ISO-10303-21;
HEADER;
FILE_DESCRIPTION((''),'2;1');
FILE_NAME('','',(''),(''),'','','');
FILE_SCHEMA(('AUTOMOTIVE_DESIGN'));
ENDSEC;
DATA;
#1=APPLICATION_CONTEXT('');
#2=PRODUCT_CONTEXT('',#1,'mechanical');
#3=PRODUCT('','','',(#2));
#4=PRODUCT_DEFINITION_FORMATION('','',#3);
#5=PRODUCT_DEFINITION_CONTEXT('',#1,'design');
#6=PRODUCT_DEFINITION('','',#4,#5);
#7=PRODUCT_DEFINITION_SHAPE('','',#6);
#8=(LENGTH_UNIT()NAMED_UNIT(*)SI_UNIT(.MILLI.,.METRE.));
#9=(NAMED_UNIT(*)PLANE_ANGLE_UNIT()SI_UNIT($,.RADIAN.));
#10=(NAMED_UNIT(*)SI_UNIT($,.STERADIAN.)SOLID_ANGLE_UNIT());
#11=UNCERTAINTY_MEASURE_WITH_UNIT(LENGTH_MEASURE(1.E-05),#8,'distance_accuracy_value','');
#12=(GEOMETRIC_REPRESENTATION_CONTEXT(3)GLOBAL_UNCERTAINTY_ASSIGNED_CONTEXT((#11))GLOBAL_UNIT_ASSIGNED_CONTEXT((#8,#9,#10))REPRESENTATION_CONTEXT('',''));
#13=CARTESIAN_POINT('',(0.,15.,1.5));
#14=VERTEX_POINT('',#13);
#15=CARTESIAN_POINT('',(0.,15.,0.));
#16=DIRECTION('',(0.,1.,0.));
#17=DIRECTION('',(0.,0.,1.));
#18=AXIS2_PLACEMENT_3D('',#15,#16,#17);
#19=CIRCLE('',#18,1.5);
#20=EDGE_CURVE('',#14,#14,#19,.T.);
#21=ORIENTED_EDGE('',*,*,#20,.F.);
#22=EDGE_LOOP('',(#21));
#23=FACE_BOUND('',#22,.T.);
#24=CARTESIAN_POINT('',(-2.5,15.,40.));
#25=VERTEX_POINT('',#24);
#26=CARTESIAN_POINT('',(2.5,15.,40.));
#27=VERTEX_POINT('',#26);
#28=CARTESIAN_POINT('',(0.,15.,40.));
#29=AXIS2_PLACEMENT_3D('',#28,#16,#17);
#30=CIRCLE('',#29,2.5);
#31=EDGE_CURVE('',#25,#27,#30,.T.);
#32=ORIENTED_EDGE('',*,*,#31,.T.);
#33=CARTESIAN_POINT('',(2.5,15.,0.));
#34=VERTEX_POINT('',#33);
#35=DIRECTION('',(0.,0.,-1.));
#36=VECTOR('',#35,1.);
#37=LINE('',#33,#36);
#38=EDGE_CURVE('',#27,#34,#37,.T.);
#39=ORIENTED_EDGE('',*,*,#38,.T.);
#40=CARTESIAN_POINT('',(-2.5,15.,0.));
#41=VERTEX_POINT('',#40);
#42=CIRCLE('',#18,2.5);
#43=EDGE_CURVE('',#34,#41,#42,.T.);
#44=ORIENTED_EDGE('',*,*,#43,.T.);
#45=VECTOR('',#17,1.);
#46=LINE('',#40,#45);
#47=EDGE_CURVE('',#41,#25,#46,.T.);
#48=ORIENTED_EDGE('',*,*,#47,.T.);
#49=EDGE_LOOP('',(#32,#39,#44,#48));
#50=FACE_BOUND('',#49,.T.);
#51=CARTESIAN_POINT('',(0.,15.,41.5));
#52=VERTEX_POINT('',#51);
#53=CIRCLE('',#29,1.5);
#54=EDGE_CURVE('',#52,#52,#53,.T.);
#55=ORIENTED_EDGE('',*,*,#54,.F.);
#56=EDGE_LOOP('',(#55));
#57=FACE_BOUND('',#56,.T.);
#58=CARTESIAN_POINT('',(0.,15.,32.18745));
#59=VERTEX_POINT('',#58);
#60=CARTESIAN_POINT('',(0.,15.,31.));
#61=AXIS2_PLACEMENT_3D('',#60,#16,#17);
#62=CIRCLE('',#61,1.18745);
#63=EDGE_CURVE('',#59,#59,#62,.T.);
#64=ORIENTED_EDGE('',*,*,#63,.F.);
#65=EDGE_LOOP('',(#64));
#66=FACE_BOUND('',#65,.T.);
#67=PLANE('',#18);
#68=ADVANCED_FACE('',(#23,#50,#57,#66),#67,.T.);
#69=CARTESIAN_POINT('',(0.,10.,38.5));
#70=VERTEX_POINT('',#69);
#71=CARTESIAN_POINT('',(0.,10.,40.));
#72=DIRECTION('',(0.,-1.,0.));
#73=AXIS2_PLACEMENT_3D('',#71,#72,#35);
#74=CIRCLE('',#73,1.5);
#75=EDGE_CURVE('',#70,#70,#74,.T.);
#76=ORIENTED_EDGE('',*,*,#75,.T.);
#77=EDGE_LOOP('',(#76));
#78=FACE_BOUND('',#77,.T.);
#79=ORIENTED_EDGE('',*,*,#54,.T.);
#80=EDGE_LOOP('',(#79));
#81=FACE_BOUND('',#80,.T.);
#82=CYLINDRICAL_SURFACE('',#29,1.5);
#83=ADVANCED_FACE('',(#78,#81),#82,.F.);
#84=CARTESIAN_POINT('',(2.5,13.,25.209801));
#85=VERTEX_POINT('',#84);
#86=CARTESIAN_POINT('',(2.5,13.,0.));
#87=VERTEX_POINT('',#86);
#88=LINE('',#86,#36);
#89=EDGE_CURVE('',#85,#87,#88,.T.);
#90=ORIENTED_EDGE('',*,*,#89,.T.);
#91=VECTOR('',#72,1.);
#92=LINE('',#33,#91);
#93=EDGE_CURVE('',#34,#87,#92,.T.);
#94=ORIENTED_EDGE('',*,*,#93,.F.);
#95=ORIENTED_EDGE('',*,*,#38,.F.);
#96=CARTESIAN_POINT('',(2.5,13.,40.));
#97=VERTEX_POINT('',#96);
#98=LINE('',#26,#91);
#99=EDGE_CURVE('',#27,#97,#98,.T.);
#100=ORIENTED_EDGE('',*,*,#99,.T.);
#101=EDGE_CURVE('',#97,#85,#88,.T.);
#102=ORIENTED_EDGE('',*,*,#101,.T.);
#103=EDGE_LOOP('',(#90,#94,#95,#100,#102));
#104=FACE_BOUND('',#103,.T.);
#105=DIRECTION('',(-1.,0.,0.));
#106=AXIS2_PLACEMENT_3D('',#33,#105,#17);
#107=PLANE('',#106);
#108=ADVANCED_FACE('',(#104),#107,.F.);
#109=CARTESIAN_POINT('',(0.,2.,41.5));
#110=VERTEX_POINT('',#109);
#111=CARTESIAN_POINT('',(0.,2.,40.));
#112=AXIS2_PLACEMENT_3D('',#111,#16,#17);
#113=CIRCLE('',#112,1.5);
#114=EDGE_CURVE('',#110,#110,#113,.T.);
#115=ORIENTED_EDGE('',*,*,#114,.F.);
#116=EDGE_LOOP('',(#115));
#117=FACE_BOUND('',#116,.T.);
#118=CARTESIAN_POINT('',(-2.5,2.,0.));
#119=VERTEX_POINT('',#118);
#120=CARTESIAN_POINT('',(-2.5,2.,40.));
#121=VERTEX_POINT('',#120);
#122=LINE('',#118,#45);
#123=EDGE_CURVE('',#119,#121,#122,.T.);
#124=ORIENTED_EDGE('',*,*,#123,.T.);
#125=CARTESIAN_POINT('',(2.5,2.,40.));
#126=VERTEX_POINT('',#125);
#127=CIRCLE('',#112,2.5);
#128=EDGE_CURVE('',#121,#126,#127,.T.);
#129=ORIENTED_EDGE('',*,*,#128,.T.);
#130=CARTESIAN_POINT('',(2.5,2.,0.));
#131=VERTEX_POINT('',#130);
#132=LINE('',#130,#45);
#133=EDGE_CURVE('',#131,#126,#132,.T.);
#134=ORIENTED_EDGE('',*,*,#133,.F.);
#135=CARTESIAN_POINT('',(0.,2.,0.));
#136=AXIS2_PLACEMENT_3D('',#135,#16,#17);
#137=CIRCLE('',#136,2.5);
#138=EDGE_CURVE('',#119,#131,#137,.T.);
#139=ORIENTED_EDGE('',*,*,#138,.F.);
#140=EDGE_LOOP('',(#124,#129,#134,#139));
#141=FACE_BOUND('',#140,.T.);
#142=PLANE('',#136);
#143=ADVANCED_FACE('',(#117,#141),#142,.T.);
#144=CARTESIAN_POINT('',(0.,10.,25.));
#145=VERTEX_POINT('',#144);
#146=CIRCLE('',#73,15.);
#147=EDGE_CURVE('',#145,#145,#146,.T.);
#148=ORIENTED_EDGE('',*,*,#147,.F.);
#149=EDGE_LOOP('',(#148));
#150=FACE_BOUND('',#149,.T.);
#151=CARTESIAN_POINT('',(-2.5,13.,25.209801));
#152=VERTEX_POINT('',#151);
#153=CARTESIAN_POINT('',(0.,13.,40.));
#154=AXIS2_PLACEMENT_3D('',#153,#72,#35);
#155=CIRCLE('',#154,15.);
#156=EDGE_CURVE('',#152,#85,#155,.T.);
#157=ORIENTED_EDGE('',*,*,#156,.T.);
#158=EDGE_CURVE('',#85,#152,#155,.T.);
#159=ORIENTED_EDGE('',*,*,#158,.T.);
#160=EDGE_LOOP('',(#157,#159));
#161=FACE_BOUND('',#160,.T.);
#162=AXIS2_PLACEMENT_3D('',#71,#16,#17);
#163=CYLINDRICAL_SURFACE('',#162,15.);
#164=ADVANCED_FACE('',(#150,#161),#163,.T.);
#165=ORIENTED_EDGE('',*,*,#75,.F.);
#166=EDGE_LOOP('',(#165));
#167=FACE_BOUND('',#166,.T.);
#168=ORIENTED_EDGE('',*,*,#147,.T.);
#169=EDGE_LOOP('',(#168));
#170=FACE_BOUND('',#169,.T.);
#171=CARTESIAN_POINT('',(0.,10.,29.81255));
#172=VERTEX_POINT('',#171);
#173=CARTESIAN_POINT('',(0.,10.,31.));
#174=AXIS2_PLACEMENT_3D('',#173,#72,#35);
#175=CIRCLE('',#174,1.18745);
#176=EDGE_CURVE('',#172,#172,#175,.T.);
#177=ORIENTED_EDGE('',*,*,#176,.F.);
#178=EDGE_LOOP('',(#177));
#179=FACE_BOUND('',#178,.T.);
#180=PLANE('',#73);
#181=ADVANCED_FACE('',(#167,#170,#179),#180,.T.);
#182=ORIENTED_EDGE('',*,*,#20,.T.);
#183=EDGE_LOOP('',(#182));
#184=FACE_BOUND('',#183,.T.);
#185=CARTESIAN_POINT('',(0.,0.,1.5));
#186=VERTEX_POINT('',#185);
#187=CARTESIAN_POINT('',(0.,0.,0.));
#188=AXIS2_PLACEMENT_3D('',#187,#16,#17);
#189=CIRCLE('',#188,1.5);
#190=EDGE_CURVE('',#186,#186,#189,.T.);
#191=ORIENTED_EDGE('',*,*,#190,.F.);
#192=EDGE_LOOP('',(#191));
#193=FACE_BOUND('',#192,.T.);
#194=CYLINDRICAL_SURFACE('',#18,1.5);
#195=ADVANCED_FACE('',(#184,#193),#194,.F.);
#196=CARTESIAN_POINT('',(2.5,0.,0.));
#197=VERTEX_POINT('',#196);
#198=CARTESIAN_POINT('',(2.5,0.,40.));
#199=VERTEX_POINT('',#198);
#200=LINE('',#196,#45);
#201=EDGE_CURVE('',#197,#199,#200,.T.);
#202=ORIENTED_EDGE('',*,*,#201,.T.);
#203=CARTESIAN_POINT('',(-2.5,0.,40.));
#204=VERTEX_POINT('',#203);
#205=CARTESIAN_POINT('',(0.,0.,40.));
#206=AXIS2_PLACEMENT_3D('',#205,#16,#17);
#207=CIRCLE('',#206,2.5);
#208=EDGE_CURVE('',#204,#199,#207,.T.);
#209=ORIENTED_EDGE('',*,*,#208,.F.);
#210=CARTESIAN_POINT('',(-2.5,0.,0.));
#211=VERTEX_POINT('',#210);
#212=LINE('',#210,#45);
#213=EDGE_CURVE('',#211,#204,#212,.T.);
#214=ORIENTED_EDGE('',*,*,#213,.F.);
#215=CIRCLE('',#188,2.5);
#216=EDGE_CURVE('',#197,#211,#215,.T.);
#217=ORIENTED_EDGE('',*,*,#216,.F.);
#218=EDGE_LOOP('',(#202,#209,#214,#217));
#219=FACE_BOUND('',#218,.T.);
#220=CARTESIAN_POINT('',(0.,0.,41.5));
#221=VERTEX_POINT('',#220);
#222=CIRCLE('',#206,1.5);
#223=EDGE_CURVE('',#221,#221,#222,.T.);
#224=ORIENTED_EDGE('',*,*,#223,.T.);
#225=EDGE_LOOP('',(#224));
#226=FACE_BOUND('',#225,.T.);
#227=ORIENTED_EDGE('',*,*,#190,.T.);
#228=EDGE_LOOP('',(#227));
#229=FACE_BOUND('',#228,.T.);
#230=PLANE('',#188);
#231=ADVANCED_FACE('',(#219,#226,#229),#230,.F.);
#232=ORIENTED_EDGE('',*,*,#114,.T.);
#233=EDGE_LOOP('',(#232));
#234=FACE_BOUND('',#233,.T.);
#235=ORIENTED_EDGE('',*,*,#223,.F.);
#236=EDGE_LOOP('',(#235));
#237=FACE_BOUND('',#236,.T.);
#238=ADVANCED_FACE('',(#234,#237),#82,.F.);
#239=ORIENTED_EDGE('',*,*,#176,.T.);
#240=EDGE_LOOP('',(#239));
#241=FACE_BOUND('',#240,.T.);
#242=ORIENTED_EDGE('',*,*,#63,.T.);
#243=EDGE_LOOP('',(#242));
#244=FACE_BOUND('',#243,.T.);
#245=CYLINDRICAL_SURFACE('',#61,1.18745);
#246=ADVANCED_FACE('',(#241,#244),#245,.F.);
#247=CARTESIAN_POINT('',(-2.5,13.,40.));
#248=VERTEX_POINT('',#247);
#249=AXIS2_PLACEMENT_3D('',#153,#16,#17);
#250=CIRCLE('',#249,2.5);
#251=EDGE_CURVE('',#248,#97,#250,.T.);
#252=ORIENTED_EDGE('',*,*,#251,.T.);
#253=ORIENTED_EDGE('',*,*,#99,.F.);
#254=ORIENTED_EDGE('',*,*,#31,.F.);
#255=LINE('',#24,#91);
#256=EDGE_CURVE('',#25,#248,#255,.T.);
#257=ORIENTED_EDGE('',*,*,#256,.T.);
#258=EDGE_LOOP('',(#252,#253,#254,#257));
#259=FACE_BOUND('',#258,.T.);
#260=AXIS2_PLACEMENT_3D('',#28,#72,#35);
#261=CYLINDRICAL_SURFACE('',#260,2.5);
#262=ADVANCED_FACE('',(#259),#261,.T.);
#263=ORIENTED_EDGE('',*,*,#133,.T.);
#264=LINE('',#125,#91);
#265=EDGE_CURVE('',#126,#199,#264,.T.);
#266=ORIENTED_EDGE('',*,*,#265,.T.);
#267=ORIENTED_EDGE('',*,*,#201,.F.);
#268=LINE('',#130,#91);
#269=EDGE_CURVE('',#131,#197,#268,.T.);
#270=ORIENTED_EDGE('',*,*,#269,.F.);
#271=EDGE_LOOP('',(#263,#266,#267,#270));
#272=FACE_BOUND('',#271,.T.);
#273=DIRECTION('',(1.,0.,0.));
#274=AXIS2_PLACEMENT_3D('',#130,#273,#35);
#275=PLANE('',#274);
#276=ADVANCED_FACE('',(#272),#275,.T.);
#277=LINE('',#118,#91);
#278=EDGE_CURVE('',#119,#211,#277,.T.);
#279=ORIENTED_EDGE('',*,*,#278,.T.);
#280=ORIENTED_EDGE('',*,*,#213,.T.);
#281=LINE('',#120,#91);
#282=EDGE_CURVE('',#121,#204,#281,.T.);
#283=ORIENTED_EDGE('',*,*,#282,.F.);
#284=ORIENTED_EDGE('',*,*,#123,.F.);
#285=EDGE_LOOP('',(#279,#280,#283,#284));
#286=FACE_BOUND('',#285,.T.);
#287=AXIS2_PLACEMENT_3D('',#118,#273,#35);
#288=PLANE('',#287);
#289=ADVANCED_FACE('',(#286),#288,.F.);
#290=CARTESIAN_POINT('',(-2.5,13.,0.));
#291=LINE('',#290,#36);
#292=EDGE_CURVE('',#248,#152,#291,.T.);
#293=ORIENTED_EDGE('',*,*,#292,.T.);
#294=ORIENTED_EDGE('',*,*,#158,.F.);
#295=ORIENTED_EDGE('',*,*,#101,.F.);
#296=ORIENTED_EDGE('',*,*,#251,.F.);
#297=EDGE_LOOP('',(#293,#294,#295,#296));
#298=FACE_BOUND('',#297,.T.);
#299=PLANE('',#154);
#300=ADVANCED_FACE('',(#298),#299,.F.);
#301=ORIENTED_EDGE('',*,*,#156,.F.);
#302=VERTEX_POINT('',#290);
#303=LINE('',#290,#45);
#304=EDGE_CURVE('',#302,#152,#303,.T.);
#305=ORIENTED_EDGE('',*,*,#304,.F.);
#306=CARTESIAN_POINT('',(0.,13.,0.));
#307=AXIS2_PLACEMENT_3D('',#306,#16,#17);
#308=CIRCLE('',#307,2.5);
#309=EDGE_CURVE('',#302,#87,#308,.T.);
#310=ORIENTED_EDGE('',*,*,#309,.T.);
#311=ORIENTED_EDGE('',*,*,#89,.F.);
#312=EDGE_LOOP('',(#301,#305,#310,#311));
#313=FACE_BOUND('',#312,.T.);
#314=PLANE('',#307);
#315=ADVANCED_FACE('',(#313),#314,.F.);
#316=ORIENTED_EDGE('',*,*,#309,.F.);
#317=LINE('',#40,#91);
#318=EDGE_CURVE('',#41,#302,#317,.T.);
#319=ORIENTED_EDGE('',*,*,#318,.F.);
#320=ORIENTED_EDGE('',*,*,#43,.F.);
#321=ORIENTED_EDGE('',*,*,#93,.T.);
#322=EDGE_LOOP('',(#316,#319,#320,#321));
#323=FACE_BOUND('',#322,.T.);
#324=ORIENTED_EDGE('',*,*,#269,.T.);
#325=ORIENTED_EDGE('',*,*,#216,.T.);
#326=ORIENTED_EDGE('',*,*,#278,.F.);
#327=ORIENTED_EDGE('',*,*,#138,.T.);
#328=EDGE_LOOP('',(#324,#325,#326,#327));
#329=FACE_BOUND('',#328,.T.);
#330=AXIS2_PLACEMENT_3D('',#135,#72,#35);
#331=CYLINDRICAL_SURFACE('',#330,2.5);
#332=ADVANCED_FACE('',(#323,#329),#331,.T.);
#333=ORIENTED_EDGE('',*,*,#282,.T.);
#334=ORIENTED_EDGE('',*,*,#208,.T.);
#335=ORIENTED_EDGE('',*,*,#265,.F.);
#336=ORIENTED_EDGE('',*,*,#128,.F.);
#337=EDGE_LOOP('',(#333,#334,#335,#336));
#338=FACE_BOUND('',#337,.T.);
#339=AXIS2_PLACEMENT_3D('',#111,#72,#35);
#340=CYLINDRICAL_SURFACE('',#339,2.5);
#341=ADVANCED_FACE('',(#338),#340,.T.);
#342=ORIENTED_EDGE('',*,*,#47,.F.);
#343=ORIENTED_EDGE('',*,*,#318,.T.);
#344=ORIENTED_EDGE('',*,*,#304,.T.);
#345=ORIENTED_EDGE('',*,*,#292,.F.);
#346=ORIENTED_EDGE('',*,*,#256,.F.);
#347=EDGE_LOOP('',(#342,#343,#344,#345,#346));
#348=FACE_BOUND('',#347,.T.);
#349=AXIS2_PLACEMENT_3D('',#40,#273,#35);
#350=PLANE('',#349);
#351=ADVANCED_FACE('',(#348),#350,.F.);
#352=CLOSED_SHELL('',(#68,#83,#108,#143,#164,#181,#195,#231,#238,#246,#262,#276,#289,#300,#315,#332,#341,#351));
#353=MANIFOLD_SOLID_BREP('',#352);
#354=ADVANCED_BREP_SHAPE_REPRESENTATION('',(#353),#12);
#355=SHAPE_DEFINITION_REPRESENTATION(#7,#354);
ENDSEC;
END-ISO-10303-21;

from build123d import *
from build123d.topology import SkipClean

# Parameters (mm, degrees)
BOSS_EXTRUDE1_DEPTH             = 2
SKETCH2_R                       = 2.5
BOSS_EXTRUDE2_DEPTH             = 11
BOSS_EXTRUDE3_START             = 13
BOSS_EXTRUDE3_DEPTH             = 2
SKETCH7_R                       = 15
BOSS_EXTRUDE5_DEPTH             = 3
F_3_0MM_CLEARANCE_DOWEL_HOLE1_D = 3
F_4_48_TAPPED_HOLE1_D           = 2.3749
F_4_48_TAPPED_HOLE1_DEPTH       = 7.27
F_4_48_TAPPED_HOLE1_TIP         = 0.713491942


with BuildPart() as part:
    # Sketch1 → Boss-Extrude1 (new body)
    with BuildSketch(Plane(origin=(0, 0, 0), x_dir=(1, 0, 0), z_dir=(0, 1, 0))):
        with BuildLine():
            Line((2.5, 0), (2.5, -40))
            ThreePointArc((2.5, -40), (0, -42.5), (-2.5, -40))
            Line((-2.5, -40), (-2.5, 0))
            ThreePointArc((-2.5, 0), (0, 2.5), (2.5, 0))
        make_face()
    extrude(amount=BOSS_EXTRUDE1_DEPTH)

    # Sketch2 → Boss-Extrude2 (add)
    with SkipClean():  # the faces are left unmerged after this step: merging them gives an invalid solid
        with BuildSketch(Plane(origin=(0, 2, 0), x_dir=(1, 0, 0), z_dir=(0, 1, 0))):
            Circle(SKETCH2_R)
        extrude(amount=BOSS_EXTRUDE2_DEPTH)
    add(part.part.scale(1), mode=Mode.REPLACE)  # the faces are merged on a copy

    # Sketch1<3> → Boss-Extrude3 (add)
    with SkipClean():  # the faces are left unmerged after this step: merging them gives an invalid solid
        with BuildSketch(Plane(origin=(0, 0, 0), x_dir=(1, 0, 0), z_dir=(0, 1, 0)).offset(BOSS_EXTRUDE3_START)):
            with BuildLine():
                Line((2.5, 0), (2.5, -40))
                ThreePointArc((2.5, -40), (0, -42.5), (-2.5, -40))
                Line((-2.5, -40), (-2.5, 0))
                ThreePointArc((-2.5, 0), (0, 2.5), (2.5, 0))
            make_face()
        extrude(amount=BOSS_EXTRUDE3_DEPTH)
    add(part.part.scale(1), mode=Mode.REPLACE)  # the faces are merged on a copy

    # Sketch7 → Boss-Extrude5 (add)
    with BuildSketch(Plane.XZ.offset(-13)):
        with Locations((0, 40)):
            Circle(SKETCH7_R)
    extrude(amount=BOSS_EXTRUDE5_DEPTH)

    # Ø3.0mm Clearance Dowel Hole1 (through all)
    with Locations(Plane(origin=(0, 15, 0), x_dir=(1, 0, 0), z_dir=(0, 1, 0))):
        with Locations((0, 0), (0, -40)):
            Hole(F_3_0MM_CLEARANCE_DOWEL_HOLE1_D / 2)

    # #4-48 Tapped Hole1
    with Locations(Plane(origin=(0, 15, 0), x_dir=(1, 0, 0), z_dir=(0, 1, 0))):
        with Locations((0, -31)):
            Hole(F_4_48_TAPPED_HOLE1_D / 2, depth=F_4_48_TAPPED_HOLE1_DEPTH)
            with Locations((0, 0, -(F_4_48_TAPPED_HOLE1_DEPTH + F_4_48_TAPPED_HOLE1_TIP / 2))):  # 118° drill point
                Cone(0, F_4_48_TAPPED_HOLE1_D / 2, F_4_48_TAPPED_HOLE1_TIP, mode=Mode.SUBTRACT)


solid = part.part
